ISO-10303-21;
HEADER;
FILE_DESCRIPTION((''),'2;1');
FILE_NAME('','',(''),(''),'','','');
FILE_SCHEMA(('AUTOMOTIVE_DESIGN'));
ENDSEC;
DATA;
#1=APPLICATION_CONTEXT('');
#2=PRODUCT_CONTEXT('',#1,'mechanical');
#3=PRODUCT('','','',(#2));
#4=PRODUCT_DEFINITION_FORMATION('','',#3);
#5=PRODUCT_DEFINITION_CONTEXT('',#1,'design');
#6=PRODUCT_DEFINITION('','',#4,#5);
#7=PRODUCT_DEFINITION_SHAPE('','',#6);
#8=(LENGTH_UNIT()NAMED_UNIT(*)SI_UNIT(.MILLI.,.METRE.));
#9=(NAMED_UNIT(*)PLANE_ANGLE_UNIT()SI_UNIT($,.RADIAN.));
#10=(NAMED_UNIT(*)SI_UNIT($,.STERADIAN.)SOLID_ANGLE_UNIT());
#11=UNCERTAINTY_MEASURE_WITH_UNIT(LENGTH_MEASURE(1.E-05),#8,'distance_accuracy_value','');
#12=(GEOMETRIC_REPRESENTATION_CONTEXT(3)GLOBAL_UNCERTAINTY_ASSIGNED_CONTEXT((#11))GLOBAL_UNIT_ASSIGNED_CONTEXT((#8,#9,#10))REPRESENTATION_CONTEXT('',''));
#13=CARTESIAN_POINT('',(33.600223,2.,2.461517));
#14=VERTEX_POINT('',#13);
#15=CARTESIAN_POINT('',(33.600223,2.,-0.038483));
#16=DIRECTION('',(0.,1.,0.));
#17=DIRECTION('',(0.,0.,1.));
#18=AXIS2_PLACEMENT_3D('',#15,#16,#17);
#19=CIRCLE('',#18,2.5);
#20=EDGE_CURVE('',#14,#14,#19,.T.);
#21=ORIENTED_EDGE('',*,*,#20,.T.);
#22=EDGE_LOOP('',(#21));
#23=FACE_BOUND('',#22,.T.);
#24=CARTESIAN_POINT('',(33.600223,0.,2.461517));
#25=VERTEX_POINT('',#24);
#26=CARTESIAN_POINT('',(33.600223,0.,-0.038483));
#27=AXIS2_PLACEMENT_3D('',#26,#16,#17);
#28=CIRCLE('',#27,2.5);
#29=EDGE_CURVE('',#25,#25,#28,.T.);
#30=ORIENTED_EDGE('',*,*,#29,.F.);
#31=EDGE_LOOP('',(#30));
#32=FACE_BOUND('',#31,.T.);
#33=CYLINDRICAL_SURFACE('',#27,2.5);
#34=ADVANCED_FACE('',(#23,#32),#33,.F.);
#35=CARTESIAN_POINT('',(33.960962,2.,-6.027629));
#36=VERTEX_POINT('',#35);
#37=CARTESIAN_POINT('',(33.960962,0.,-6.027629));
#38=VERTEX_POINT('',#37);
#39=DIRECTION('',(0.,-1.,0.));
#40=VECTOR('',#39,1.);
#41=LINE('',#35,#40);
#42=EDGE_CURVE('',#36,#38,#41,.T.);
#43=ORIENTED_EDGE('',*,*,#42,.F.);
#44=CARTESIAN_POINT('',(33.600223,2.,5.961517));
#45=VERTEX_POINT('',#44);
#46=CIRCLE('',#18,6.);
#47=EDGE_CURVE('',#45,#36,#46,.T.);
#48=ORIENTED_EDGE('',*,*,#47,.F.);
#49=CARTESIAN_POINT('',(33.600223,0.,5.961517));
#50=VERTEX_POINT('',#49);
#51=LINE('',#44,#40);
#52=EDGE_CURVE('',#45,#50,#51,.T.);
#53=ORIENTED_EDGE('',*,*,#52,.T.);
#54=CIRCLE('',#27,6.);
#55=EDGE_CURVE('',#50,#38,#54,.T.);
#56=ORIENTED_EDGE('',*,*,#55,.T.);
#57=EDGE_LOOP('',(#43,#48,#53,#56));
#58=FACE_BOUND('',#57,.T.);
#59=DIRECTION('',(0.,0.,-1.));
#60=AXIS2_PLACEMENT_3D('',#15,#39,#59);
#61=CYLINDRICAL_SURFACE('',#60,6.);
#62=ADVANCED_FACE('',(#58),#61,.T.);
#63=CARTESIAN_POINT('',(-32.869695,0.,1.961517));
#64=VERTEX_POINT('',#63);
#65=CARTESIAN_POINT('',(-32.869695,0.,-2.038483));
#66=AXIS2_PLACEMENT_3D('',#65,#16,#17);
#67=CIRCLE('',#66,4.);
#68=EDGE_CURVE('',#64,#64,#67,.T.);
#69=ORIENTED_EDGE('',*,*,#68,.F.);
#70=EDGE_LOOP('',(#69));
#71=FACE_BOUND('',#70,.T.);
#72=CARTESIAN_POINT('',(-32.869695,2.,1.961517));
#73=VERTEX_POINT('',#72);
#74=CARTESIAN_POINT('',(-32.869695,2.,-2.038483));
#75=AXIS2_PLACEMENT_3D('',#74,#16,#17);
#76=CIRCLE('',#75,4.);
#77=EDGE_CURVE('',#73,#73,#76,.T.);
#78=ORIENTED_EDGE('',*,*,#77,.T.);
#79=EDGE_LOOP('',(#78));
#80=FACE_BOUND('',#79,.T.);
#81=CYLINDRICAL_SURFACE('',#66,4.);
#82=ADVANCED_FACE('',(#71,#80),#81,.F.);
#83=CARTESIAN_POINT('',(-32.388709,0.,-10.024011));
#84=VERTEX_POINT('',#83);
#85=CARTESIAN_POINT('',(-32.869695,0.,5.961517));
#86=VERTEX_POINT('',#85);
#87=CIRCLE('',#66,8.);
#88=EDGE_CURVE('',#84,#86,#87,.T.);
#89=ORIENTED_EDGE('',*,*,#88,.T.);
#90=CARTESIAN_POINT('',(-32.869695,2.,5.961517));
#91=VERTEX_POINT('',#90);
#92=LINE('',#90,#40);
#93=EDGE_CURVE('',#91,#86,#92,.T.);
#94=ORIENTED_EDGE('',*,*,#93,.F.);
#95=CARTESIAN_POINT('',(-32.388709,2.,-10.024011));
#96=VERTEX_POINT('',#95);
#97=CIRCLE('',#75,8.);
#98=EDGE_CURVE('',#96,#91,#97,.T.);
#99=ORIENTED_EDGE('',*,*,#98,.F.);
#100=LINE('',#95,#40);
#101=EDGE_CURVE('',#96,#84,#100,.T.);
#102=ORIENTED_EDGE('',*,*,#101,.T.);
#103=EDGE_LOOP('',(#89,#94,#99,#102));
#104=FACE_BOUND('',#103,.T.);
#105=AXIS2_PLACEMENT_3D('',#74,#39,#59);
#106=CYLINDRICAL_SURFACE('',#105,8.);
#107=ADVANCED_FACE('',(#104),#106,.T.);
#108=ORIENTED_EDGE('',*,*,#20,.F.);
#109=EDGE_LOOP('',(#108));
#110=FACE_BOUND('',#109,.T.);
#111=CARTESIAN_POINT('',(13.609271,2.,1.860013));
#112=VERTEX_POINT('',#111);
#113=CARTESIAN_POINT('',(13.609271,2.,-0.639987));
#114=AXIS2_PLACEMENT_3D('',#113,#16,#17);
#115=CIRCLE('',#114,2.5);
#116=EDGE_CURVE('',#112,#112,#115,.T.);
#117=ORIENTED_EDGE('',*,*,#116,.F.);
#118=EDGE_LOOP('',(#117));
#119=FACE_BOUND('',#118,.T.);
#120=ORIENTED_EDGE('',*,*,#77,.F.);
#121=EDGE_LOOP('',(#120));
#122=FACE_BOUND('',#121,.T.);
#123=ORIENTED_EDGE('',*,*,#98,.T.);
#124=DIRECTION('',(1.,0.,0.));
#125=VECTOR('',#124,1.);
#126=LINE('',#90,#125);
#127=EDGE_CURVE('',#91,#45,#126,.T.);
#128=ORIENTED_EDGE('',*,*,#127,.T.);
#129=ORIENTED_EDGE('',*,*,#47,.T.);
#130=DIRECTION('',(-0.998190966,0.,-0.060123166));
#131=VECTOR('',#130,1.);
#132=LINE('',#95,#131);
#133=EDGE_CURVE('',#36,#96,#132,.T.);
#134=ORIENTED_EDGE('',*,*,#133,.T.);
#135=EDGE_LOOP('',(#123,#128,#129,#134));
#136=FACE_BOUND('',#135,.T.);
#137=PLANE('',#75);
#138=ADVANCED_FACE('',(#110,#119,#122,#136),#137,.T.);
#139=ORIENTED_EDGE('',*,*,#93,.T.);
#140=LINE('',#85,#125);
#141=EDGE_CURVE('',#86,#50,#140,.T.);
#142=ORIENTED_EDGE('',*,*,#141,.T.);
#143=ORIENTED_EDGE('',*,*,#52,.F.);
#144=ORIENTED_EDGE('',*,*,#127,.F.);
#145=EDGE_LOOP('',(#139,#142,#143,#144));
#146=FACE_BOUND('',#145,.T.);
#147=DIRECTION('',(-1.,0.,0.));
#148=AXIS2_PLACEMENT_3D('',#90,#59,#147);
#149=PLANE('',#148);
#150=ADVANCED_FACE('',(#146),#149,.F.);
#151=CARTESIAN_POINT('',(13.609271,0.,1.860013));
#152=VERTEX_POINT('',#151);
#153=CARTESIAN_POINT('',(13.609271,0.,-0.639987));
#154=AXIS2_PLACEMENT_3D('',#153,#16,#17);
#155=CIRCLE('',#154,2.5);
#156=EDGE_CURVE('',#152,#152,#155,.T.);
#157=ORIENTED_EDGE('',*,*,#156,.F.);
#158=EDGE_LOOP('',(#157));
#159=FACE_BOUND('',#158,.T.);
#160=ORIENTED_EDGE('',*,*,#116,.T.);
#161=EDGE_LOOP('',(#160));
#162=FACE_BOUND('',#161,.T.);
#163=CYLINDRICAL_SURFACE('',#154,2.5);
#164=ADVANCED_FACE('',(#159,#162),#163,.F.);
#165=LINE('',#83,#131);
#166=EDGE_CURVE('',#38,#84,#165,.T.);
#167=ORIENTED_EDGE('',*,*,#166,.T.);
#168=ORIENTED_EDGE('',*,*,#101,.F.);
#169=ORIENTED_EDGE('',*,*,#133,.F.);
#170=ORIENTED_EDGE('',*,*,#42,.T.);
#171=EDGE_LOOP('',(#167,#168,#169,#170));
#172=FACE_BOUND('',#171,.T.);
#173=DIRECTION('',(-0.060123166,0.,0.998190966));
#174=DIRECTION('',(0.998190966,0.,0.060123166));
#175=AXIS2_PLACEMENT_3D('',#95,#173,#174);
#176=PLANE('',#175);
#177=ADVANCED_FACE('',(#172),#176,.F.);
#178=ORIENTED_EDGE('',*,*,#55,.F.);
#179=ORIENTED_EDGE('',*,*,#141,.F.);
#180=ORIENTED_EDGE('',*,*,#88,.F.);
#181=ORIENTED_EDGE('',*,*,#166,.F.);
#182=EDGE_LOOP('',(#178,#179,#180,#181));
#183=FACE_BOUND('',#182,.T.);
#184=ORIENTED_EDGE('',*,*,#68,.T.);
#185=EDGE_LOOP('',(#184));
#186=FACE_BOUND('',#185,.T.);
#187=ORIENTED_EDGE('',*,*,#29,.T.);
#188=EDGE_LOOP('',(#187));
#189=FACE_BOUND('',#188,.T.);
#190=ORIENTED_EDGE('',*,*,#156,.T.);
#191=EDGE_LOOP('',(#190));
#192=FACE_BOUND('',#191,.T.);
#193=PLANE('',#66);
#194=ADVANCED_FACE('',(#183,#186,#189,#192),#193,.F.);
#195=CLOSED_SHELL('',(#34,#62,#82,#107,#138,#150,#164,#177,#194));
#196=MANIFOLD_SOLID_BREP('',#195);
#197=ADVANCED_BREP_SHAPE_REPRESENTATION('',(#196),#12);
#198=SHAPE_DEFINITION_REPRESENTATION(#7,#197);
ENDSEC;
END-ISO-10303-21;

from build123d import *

# Parameters (mm, degrees)
BOSS_EXTRUDE1_DEPTH = 2
SKETCH5_R           = 4
SKETCH5_R_2         = 2.5
CUT_EXTRUDE1_DEPTH  = 2


with BuildPart() as part:
    # Sketch4 → Boss-Extrude1 (new body)
    with BuildSketch(Plane(origin=(0, 0, 0), x_dir=(1, 0, 0), z_dir=(0, 1, 0))):
        with BuildLine():
            Line((-32.38870932, 10.024010565), (33.960962355, 6.027628632))
            ThreePointArc((33.960962355, 6.027628632), (39.597509193, -0.141968292), (33.600223358, -5.961517165))
            Line((33.600223358, -5.961517165), (-32.869694651, -5.961517165))
            ThreePointArc((-32.869694651, -5.961517165), (-40.866075764, 2.279084339), (-32.38870932, 10.024010565))
        make_face()
    extrude(amount=BOSS_EXTRUDE1_DEPTH)

    # Sketch5 → Cut-Extrude1 (cut)
    with BuildSketch(Plane(origin=(0, 2, 0), x_dir=(1, 0, 0), z_dir=(0, 1, 0))):
        with Locations(Location((-32.869694651, 2.038482835, 0), (0, 0, 270))):
            Circle(SKETCH5_R)
        with Locations(Location((33.600223358, 0.038482835, 0), (0, 0, 270))):
            Circle(SKETCH5_R_2)
        with Locations(Location((13.609270573, 0.639986595, 0), (0, 0, 270))):
            Circle(SKETCH5_R_2)
    extrude(amount=-CUT_EXTRUDE1_DEPTH, mode=Mode.SUBTRACT)


solid = part.part
